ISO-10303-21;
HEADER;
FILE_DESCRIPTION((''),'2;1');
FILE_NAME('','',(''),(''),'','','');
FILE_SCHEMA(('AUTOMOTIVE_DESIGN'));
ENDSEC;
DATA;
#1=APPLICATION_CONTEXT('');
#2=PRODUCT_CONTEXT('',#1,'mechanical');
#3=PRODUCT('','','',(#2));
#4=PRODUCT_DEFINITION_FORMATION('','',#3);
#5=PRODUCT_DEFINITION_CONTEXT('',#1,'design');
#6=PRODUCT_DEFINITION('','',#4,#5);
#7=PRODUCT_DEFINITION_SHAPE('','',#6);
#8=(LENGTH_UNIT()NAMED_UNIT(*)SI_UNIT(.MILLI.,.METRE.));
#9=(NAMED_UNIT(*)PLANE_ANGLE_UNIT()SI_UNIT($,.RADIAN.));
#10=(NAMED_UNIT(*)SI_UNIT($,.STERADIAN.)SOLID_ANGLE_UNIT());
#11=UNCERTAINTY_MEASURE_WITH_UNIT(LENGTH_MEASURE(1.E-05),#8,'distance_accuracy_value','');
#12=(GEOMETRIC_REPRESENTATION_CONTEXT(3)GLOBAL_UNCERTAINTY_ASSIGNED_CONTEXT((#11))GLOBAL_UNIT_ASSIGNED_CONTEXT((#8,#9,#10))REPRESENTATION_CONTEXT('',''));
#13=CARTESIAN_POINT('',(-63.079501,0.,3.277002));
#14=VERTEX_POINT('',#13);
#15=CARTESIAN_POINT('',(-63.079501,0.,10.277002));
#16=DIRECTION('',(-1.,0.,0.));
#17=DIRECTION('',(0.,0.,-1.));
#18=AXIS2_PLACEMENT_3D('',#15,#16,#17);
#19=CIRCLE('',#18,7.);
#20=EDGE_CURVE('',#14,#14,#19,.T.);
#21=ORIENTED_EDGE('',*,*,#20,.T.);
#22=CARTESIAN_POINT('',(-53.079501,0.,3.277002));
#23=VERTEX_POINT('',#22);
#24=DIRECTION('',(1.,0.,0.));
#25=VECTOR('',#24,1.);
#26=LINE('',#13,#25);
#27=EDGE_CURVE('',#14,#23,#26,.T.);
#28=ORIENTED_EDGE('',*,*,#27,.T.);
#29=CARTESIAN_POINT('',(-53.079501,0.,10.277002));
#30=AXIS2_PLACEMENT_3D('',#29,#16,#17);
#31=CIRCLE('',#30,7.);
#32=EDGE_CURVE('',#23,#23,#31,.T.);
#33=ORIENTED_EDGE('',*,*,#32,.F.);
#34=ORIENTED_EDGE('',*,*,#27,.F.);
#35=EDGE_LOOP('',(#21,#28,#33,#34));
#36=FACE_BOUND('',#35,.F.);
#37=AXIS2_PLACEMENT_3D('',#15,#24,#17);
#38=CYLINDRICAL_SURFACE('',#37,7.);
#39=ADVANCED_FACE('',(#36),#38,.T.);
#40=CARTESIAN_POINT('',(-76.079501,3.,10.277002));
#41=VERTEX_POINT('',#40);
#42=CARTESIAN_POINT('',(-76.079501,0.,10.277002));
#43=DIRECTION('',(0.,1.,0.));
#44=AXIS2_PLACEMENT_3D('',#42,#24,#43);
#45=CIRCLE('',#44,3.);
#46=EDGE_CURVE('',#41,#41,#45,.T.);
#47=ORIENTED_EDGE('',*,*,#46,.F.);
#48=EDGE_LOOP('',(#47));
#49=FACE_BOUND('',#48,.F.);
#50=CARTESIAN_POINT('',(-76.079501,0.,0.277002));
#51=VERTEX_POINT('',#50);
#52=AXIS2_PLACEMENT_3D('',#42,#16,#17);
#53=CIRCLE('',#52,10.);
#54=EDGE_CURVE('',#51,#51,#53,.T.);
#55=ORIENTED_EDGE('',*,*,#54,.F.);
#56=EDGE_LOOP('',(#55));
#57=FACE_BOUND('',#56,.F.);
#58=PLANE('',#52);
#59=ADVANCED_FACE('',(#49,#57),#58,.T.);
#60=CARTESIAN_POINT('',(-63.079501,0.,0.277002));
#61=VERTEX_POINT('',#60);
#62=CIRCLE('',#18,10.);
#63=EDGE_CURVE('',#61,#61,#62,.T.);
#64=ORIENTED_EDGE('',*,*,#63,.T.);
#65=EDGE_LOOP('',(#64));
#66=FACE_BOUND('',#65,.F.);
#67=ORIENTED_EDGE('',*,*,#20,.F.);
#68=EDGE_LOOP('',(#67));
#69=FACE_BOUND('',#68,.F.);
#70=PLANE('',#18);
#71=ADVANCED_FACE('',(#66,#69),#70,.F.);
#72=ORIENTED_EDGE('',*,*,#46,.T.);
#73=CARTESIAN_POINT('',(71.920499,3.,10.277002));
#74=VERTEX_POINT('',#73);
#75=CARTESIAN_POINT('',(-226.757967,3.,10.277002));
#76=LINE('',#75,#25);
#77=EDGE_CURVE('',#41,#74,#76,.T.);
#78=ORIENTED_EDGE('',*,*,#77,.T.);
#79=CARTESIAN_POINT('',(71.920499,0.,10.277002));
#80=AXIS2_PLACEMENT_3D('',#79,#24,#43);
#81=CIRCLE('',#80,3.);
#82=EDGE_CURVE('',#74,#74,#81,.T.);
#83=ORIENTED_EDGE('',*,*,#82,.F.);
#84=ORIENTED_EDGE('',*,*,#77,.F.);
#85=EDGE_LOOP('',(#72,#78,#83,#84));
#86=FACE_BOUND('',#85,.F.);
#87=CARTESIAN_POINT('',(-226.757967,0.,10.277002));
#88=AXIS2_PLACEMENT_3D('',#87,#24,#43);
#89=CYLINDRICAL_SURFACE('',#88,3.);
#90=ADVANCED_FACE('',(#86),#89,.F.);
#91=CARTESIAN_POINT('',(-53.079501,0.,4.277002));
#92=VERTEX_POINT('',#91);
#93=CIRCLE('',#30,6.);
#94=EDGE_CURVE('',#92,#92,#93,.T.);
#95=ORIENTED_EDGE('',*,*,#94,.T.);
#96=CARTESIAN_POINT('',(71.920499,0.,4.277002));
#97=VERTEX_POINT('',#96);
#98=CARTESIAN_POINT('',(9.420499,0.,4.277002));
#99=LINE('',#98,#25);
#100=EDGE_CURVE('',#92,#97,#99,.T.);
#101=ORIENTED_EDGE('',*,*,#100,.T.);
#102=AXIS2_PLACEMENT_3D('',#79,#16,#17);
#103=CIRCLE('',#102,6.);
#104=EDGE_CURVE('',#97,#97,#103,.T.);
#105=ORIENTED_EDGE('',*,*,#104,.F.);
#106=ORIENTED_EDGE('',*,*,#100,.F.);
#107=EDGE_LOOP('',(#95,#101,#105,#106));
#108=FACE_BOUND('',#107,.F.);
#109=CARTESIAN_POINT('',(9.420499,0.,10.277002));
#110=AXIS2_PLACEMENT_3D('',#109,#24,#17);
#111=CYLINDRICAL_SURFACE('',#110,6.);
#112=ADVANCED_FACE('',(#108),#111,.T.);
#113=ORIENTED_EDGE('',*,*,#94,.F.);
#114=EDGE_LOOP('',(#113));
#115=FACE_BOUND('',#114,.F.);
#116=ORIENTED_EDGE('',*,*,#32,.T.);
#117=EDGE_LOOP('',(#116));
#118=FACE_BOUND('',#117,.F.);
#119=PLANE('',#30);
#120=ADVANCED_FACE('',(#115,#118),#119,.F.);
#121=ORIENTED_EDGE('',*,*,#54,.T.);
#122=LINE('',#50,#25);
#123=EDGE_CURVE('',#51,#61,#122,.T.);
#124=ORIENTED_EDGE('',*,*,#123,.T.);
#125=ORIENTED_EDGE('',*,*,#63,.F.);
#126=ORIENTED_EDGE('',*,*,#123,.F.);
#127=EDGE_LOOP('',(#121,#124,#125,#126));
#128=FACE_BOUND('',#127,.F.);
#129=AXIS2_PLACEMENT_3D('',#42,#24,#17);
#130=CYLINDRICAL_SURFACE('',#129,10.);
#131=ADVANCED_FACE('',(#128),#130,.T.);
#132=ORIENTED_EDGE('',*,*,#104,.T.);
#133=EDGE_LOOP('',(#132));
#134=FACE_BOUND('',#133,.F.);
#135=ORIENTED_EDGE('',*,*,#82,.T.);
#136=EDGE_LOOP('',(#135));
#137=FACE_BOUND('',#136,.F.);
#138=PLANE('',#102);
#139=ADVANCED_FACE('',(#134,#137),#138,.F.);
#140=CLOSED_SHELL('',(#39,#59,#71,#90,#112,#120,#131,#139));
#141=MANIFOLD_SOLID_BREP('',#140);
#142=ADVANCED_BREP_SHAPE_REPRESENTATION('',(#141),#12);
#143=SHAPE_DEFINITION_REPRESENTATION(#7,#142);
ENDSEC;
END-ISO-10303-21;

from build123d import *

# Parameters (mm, degrees)
F0_W = 125
F0_H = 6
F3_D = 6


with BuildPart() as f1:
    # F0 (on Front) → F1 (revolve)
    with BuildSketch(Plane.XZ):
        with Locations((9.420499, 7.277002)):
            Rectangle(F0_W, F0_H)
        Polygon((-53.079501, 4.277002), (-53.079501, 10.277002), (-63.079501, 10.277002), (-63.079501, 3.277002), (-53.079501, 3.277002), align=None)
        Polygon((-63.079501, 3.277002), (-63.079501, 10.277002), (-76.079501, 10.277002), (-76.079501, 0.277002), (-63.079501, 0.277002), align=None)
    revolve(axis=Axis((9.420499, 0, 10.277002), (-1, 0, 0)))

    # F3 (through all)
    with Locations(Plane(origin=(-76.079501, 0, 0), x_dir=(0, -1, 0), z_dir=(-1, 0, 0))):
        with Locations((0, 10.277002)):
            Hole(F3_D / 2)


solid = f1.part
